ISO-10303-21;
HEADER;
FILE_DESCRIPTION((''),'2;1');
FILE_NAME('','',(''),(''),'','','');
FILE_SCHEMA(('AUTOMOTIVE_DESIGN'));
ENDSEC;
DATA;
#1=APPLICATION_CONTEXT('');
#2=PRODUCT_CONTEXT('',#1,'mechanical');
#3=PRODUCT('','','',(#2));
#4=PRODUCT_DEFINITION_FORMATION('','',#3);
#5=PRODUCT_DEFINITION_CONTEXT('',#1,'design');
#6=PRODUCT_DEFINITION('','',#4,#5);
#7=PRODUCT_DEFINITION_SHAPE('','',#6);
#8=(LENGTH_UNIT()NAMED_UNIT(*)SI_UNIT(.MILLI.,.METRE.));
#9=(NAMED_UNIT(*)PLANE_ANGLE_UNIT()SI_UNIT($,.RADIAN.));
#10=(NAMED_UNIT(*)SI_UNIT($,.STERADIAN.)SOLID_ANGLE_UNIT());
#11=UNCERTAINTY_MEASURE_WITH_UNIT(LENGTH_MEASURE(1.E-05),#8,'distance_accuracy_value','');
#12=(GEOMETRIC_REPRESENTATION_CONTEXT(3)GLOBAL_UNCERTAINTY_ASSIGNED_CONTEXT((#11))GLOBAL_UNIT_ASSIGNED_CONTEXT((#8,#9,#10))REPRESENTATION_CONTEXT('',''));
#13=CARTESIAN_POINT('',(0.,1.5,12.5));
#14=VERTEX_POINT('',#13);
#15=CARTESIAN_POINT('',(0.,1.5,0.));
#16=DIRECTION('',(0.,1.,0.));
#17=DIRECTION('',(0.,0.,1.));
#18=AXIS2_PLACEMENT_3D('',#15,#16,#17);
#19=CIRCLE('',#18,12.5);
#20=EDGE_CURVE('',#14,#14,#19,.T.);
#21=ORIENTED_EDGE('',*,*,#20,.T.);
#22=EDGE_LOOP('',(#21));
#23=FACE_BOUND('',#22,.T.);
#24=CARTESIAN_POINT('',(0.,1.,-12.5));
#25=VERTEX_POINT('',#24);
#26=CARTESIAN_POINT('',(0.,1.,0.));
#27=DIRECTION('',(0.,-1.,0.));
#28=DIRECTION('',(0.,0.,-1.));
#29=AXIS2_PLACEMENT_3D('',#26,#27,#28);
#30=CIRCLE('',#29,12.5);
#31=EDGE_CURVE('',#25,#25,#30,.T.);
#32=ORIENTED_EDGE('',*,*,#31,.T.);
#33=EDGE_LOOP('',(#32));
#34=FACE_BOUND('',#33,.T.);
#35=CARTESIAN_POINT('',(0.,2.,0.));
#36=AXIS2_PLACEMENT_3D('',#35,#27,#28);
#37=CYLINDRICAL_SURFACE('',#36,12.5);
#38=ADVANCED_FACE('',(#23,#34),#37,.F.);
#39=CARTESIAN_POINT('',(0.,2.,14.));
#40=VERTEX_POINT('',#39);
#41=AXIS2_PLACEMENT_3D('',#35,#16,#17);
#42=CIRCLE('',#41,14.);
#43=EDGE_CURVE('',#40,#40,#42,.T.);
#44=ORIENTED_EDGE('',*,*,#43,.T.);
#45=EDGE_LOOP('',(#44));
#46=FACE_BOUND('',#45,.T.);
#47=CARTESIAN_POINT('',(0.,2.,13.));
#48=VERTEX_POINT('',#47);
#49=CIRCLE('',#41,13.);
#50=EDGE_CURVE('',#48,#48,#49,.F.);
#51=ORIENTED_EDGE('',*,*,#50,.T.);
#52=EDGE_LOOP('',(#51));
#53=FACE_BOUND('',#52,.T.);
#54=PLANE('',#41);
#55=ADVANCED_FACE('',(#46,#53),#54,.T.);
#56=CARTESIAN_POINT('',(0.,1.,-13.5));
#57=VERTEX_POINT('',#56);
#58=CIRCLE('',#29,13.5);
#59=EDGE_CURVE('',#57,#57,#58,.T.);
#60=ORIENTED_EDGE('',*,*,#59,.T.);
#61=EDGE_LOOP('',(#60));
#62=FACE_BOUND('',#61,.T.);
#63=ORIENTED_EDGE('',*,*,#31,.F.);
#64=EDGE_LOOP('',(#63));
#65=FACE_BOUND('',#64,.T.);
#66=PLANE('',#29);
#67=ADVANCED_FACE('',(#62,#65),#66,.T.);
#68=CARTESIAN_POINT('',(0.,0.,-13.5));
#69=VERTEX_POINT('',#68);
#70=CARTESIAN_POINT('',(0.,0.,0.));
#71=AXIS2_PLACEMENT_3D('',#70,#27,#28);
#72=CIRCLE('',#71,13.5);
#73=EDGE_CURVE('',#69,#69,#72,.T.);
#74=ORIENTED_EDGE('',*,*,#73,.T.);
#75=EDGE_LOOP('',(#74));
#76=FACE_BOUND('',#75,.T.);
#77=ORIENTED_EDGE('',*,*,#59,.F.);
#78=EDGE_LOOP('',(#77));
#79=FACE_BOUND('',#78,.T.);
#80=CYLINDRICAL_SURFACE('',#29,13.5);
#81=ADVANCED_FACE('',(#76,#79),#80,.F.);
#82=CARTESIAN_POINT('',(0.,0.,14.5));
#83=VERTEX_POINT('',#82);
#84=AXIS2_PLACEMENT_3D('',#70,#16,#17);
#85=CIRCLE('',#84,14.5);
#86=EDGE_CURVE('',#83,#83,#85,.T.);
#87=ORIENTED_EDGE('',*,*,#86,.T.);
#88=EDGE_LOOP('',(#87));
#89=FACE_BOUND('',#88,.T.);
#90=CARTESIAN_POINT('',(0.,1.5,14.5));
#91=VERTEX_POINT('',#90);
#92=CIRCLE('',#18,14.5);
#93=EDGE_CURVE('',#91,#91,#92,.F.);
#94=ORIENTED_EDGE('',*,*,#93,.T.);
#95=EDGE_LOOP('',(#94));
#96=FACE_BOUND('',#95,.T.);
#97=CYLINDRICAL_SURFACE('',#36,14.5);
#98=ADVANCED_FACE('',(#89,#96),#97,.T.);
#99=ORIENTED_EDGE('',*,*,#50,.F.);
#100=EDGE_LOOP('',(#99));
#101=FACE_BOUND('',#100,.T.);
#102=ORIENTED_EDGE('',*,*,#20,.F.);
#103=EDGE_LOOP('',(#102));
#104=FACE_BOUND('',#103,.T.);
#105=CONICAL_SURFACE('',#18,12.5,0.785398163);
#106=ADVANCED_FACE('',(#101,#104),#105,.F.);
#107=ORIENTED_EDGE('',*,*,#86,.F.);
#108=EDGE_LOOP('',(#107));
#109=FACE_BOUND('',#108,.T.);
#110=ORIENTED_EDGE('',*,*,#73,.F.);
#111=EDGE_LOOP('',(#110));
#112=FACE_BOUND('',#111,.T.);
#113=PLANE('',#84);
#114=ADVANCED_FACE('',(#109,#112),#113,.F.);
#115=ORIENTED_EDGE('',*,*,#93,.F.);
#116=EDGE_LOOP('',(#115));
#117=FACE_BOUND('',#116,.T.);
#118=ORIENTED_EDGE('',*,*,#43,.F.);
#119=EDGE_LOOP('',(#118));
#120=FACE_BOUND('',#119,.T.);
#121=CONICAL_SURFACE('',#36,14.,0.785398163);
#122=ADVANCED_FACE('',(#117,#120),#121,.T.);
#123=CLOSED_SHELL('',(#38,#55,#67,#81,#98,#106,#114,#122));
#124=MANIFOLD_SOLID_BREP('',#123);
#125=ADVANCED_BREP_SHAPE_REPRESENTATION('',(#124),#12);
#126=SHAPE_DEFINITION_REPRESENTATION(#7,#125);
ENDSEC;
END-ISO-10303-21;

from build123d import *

# Parameters (mm, degrees)
SKETCH1_R           = 14.5
SKETCH1_R_2         = 12.5
BOSS_EXTRUDE1_DEPTH = 2
SKETCH2_R           = 13.5
CUT_EXTRUDE1_DEPTH  = 1
CHAMFER1_SIZE       = 0.5


with BuildPart() as part:
    # Sketch1 → Boss-Extrude1 (new body)
    with BuildSketch(Plane(origin=(0, 0, 0), x_dir=(1, 0, 0), z_dir=(0, 1, 0))):
        Circle(SKETCH1_R)
        Circle(SKETCH1_R_2, mode=Mode.SUBTRACT)
    extrude(amount=BOSS_EXTRUDE1_DEPTH)

    # Sketch2 → Cut-Extrude1 (cut)
    with BuildSketch(Plane.XZ):
        Circle(SKETCH2_R)
    extrude(amount=-CUT_EXTRUDE1_DEPTH, mode=Mode.SUBTRACT)

    # Chamfer1
    chamfer1_edges = [part.edges().sort_by_distance(p)[0] for p in [
        (-14.5, 2, 0),
        (-12.5, 2, 0),
    ]]
    chamfer(chamfer1_edges, length=CHAMFER1_SIZE)


solid = part.part
